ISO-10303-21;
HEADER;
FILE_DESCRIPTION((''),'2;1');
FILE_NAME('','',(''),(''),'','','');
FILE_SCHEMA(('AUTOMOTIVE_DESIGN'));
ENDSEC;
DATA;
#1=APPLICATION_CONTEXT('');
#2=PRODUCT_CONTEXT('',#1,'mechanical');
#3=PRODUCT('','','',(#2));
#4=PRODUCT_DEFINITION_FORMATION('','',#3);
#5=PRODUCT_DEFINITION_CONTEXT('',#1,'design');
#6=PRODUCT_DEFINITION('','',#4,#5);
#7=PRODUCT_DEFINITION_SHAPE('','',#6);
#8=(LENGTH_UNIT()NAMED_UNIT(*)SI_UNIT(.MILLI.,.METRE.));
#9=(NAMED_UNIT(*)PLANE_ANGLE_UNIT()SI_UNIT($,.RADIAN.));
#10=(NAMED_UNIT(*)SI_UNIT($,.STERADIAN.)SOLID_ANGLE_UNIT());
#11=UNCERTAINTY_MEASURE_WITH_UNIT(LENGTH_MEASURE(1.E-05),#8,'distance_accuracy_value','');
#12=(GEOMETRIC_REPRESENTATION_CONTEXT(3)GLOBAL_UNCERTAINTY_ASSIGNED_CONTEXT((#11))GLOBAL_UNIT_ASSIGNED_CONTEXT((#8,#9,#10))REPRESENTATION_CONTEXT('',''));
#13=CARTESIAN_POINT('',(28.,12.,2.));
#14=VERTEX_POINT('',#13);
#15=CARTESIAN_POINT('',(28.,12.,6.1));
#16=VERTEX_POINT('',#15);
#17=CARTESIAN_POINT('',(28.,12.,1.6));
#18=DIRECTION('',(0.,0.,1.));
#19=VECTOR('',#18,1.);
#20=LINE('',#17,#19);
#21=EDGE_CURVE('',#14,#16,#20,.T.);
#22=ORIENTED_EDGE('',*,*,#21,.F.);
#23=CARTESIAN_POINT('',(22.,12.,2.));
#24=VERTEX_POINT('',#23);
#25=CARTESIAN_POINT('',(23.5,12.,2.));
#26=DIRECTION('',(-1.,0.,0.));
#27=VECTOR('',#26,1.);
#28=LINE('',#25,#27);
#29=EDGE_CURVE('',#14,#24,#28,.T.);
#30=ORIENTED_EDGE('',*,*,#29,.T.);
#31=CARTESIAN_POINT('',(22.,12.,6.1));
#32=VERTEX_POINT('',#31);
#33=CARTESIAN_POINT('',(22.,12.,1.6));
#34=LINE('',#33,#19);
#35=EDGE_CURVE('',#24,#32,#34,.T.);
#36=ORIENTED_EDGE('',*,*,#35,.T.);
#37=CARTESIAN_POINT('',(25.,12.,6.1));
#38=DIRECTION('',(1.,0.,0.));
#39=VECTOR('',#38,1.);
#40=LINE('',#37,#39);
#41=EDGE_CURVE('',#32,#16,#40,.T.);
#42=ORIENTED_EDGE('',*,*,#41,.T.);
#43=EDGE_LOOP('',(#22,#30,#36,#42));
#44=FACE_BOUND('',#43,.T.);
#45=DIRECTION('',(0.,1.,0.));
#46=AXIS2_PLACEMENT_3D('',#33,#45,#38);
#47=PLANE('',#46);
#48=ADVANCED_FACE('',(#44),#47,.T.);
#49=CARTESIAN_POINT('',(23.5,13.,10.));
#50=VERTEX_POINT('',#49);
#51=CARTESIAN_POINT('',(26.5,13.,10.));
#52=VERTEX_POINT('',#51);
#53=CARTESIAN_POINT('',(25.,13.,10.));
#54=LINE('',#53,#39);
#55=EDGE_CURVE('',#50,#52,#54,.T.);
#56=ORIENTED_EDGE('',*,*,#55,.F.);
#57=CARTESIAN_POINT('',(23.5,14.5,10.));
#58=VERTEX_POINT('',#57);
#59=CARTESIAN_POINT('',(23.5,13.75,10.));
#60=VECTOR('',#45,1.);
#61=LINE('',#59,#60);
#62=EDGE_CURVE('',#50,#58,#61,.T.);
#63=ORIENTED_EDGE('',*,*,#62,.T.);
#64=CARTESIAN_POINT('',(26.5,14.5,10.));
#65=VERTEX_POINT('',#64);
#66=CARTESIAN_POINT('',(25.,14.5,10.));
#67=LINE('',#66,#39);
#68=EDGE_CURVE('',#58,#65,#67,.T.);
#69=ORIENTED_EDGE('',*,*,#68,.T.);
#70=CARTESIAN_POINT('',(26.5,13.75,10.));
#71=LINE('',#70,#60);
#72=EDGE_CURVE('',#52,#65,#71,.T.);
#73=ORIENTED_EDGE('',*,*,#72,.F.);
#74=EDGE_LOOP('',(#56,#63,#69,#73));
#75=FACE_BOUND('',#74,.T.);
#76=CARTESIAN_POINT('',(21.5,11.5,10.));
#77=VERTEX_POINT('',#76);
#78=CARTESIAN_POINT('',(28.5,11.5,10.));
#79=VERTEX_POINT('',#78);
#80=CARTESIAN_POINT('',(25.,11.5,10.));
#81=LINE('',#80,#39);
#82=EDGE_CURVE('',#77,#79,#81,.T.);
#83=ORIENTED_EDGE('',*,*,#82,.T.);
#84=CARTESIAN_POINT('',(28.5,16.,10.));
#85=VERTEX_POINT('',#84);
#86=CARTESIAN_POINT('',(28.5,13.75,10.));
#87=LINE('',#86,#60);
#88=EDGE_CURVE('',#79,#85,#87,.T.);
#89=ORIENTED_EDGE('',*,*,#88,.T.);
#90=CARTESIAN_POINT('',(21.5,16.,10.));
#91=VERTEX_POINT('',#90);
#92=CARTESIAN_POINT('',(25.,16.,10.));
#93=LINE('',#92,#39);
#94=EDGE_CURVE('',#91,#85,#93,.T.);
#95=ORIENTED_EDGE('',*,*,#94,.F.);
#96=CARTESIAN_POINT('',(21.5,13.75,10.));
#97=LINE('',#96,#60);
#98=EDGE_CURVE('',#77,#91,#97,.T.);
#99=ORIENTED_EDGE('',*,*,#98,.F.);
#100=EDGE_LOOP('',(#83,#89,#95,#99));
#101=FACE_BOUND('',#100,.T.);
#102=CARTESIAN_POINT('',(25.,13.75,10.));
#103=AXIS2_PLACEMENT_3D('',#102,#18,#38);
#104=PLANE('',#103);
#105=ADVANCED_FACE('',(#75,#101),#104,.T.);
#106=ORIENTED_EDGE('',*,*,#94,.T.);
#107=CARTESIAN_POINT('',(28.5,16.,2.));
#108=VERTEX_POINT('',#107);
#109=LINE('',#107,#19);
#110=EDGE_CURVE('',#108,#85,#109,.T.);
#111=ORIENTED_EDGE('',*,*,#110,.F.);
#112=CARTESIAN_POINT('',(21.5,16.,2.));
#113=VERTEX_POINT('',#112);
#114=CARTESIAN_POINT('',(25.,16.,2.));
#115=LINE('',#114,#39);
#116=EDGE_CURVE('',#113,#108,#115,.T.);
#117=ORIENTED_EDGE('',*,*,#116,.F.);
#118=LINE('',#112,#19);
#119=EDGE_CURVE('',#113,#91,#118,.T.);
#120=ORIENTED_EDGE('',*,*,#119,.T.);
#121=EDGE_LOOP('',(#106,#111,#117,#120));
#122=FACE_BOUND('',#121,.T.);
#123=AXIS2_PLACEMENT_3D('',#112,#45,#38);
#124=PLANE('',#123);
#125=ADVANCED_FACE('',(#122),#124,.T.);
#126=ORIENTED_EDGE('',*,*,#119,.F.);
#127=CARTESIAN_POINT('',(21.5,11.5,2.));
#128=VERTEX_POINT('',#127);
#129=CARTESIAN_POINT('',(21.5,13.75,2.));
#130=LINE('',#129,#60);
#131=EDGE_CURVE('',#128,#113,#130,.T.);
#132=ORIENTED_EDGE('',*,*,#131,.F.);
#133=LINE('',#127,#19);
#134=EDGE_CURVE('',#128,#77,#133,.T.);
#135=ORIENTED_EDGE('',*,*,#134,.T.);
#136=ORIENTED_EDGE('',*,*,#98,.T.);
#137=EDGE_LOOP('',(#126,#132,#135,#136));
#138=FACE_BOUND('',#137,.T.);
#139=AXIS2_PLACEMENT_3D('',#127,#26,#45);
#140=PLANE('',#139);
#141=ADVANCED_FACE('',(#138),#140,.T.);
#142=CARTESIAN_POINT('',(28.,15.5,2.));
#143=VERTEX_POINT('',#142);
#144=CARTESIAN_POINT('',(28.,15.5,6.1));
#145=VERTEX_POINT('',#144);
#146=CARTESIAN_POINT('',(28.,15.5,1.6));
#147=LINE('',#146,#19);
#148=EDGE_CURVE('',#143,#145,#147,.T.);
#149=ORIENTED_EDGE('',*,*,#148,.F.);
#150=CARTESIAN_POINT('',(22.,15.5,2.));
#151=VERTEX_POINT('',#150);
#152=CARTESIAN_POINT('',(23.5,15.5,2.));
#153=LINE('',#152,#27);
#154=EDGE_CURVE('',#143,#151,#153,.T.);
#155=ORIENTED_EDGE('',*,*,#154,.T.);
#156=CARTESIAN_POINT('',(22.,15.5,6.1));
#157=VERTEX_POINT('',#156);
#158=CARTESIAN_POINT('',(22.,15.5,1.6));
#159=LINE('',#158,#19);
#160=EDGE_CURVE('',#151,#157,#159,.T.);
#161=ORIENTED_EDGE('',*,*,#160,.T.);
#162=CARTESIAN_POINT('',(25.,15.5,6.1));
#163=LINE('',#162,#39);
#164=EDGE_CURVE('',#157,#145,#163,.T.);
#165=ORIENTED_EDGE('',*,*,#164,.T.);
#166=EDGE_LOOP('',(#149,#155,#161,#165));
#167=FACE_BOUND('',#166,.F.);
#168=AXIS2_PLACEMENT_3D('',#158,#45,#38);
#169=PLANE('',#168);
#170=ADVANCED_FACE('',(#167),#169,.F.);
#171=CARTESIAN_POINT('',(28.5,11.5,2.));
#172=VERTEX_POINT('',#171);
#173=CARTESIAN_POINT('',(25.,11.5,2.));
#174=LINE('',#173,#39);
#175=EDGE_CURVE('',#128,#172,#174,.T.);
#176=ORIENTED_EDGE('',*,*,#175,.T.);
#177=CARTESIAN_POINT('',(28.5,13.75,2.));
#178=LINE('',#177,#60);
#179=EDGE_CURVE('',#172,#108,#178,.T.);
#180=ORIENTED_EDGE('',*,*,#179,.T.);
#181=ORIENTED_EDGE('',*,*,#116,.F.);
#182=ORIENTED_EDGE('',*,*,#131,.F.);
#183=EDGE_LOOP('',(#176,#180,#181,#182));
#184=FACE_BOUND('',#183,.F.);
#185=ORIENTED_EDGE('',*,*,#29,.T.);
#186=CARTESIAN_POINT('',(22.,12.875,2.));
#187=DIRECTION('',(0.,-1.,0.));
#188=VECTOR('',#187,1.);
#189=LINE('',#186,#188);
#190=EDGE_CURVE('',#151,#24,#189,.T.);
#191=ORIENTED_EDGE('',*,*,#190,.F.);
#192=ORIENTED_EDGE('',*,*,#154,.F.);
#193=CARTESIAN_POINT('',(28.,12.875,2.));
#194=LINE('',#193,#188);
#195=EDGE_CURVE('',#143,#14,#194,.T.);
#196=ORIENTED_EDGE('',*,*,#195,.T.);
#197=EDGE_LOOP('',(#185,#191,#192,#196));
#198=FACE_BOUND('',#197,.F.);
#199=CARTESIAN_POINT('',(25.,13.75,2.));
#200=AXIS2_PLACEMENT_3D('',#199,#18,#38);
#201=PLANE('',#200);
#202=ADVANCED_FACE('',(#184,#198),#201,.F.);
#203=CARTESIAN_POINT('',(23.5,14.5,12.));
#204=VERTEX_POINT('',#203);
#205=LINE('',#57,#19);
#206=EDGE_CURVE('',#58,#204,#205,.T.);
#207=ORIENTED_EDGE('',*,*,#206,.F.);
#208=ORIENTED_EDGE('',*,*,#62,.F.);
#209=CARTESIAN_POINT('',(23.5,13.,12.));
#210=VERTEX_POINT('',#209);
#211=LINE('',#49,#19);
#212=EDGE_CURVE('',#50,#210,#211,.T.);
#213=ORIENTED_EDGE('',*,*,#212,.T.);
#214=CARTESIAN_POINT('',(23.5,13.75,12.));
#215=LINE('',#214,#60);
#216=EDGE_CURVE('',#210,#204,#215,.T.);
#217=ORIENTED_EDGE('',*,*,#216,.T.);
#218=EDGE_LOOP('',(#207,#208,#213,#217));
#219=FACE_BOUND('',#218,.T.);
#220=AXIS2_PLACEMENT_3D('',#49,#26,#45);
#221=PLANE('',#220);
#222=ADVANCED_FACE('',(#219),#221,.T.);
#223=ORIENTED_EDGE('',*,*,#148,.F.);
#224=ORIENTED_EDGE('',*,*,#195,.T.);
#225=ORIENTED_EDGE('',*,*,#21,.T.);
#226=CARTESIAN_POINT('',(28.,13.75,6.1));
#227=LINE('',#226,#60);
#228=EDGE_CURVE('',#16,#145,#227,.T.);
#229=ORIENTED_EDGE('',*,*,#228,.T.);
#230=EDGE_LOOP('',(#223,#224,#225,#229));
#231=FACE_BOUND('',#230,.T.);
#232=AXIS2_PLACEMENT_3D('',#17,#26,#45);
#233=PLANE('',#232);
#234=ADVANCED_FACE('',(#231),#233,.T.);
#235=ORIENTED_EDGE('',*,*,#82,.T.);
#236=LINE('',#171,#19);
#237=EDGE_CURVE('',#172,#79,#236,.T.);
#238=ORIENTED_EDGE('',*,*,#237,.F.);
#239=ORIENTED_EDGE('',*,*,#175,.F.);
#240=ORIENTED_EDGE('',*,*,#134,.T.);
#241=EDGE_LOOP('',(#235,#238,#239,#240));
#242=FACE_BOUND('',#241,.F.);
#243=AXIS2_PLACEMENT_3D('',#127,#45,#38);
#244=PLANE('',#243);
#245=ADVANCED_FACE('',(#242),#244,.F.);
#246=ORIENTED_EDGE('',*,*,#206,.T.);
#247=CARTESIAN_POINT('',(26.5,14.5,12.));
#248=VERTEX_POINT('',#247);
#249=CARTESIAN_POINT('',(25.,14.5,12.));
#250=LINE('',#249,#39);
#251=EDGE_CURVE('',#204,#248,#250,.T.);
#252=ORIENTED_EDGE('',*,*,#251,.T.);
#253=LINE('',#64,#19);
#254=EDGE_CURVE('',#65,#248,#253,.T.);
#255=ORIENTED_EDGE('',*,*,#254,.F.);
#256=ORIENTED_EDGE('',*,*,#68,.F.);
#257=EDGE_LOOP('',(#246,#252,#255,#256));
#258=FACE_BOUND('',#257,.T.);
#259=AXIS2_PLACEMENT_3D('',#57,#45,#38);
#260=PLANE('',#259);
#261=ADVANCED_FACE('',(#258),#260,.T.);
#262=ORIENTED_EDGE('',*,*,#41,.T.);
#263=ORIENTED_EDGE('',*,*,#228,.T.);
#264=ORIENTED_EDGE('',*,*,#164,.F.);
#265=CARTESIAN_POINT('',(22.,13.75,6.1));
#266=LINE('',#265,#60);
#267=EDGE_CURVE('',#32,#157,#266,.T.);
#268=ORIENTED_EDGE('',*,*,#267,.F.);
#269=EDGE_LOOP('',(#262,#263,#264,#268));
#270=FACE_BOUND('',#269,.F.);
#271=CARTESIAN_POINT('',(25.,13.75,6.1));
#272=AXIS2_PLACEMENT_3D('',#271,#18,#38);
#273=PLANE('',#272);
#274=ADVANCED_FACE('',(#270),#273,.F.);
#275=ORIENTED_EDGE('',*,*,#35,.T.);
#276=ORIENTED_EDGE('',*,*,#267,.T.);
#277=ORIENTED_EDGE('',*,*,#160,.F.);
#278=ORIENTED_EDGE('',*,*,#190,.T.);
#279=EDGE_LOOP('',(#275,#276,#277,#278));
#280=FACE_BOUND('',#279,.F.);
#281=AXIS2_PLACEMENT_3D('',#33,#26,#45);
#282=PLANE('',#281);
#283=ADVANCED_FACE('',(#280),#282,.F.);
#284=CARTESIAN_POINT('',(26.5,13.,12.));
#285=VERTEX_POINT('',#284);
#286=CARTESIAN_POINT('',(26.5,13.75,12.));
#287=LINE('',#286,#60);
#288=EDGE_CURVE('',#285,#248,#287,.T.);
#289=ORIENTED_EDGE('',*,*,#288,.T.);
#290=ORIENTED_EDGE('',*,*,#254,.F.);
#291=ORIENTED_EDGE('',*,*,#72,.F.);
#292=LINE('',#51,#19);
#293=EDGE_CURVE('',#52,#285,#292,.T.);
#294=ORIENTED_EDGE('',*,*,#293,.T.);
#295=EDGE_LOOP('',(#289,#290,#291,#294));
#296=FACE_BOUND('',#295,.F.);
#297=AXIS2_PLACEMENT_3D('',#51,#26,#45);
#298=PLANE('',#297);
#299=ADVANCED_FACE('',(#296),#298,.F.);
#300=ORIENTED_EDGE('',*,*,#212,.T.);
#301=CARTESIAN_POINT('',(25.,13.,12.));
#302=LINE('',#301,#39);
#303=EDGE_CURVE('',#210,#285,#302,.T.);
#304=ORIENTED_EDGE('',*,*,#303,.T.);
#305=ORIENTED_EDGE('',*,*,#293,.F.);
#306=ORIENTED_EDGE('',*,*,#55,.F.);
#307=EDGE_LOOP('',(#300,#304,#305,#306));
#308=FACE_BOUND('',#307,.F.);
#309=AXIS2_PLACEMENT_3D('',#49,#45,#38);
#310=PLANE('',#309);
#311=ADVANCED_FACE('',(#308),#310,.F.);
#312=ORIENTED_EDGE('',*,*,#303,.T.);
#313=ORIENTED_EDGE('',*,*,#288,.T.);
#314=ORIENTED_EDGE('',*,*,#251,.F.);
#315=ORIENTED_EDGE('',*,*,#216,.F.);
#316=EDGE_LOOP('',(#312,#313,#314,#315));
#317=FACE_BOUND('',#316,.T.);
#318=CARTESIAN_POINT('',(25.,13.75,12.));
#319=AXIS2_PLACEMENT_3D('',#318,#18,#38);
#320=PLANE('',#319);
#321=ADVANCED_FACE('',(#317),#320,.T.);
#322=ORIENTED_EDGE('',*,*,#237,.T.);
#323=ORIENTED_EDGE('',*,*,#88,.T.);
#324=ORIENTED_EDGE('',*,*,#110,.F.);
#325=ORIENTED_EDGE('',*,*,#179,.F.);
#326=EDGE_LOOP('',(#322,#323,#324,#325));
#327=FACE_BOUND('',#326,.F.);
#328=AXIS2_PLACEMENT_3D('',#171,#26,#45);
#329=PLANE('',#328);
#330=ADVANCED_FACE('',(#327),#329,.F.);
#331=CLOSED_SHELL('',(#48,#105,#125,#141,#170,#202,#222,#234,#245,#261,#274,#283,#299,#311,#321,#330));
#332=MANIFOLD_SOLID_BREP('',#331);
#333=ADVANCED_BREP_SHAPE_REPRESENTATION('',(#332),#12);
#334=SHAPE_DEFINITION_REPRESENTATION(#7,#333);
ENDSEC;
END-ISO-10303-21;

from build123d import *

# Parameters (mm, degrees)
BOX014_W     = 3
BOX014_H     = 1.5
BOX014_DEPTH = 2
BOX012_W     = 6
BOX012_H     = 3.5
BOX012_DEPTH = 4.5
BOX013_W     = 7
BOX013_H     = 4.5
BOX013_DEPTH = 8


with BuildPart() as cube012:
    # Box014 → Box014 (new body)
    with BuildSketch(Plane(origin=(23.5, 13, 10), x_dir=(1, 0, 0), z_dir=(0, 0, 1))):
        with Locations((1.5, 0.75)):
            Rectangle(BOX014_W, BOX014_H)
    extrude(amount=BOX014_DEPTH)


with BuildPart() as cube010:
    # Box012 → Box012 (new body)
    with BuildSketch(Plane(origin=(22, 12, 1.6), x_dir=(1, 0, 0), z_dir=(0, 0, 1))):
        with Locations((3, 1.75)):
            Rectangle(BOX012_W, BOX012_H)
    extrude(amount=BOX012_DEPTH)


with BuildPart() as button_extn002:
    # Box013 → Box013 (new body)
    with BuildSketch(Plane(origin=(21.5, 11.5, 2), x_dir=(1, 0, 0), z_dir=(0, 0, 1))):
        with Locations((3.5, 2.25)):
            Rectangle(BOX013_W, BOX013_H)
    extrude(amount=BOX013_DEPTH)

    # Cut003: cut Cube010
    add(cube010.part, mode=Mode.SUBTRACT)

    # Fusion003: union Cube012
    add(cube012.part)


solid = button_extn002.part
